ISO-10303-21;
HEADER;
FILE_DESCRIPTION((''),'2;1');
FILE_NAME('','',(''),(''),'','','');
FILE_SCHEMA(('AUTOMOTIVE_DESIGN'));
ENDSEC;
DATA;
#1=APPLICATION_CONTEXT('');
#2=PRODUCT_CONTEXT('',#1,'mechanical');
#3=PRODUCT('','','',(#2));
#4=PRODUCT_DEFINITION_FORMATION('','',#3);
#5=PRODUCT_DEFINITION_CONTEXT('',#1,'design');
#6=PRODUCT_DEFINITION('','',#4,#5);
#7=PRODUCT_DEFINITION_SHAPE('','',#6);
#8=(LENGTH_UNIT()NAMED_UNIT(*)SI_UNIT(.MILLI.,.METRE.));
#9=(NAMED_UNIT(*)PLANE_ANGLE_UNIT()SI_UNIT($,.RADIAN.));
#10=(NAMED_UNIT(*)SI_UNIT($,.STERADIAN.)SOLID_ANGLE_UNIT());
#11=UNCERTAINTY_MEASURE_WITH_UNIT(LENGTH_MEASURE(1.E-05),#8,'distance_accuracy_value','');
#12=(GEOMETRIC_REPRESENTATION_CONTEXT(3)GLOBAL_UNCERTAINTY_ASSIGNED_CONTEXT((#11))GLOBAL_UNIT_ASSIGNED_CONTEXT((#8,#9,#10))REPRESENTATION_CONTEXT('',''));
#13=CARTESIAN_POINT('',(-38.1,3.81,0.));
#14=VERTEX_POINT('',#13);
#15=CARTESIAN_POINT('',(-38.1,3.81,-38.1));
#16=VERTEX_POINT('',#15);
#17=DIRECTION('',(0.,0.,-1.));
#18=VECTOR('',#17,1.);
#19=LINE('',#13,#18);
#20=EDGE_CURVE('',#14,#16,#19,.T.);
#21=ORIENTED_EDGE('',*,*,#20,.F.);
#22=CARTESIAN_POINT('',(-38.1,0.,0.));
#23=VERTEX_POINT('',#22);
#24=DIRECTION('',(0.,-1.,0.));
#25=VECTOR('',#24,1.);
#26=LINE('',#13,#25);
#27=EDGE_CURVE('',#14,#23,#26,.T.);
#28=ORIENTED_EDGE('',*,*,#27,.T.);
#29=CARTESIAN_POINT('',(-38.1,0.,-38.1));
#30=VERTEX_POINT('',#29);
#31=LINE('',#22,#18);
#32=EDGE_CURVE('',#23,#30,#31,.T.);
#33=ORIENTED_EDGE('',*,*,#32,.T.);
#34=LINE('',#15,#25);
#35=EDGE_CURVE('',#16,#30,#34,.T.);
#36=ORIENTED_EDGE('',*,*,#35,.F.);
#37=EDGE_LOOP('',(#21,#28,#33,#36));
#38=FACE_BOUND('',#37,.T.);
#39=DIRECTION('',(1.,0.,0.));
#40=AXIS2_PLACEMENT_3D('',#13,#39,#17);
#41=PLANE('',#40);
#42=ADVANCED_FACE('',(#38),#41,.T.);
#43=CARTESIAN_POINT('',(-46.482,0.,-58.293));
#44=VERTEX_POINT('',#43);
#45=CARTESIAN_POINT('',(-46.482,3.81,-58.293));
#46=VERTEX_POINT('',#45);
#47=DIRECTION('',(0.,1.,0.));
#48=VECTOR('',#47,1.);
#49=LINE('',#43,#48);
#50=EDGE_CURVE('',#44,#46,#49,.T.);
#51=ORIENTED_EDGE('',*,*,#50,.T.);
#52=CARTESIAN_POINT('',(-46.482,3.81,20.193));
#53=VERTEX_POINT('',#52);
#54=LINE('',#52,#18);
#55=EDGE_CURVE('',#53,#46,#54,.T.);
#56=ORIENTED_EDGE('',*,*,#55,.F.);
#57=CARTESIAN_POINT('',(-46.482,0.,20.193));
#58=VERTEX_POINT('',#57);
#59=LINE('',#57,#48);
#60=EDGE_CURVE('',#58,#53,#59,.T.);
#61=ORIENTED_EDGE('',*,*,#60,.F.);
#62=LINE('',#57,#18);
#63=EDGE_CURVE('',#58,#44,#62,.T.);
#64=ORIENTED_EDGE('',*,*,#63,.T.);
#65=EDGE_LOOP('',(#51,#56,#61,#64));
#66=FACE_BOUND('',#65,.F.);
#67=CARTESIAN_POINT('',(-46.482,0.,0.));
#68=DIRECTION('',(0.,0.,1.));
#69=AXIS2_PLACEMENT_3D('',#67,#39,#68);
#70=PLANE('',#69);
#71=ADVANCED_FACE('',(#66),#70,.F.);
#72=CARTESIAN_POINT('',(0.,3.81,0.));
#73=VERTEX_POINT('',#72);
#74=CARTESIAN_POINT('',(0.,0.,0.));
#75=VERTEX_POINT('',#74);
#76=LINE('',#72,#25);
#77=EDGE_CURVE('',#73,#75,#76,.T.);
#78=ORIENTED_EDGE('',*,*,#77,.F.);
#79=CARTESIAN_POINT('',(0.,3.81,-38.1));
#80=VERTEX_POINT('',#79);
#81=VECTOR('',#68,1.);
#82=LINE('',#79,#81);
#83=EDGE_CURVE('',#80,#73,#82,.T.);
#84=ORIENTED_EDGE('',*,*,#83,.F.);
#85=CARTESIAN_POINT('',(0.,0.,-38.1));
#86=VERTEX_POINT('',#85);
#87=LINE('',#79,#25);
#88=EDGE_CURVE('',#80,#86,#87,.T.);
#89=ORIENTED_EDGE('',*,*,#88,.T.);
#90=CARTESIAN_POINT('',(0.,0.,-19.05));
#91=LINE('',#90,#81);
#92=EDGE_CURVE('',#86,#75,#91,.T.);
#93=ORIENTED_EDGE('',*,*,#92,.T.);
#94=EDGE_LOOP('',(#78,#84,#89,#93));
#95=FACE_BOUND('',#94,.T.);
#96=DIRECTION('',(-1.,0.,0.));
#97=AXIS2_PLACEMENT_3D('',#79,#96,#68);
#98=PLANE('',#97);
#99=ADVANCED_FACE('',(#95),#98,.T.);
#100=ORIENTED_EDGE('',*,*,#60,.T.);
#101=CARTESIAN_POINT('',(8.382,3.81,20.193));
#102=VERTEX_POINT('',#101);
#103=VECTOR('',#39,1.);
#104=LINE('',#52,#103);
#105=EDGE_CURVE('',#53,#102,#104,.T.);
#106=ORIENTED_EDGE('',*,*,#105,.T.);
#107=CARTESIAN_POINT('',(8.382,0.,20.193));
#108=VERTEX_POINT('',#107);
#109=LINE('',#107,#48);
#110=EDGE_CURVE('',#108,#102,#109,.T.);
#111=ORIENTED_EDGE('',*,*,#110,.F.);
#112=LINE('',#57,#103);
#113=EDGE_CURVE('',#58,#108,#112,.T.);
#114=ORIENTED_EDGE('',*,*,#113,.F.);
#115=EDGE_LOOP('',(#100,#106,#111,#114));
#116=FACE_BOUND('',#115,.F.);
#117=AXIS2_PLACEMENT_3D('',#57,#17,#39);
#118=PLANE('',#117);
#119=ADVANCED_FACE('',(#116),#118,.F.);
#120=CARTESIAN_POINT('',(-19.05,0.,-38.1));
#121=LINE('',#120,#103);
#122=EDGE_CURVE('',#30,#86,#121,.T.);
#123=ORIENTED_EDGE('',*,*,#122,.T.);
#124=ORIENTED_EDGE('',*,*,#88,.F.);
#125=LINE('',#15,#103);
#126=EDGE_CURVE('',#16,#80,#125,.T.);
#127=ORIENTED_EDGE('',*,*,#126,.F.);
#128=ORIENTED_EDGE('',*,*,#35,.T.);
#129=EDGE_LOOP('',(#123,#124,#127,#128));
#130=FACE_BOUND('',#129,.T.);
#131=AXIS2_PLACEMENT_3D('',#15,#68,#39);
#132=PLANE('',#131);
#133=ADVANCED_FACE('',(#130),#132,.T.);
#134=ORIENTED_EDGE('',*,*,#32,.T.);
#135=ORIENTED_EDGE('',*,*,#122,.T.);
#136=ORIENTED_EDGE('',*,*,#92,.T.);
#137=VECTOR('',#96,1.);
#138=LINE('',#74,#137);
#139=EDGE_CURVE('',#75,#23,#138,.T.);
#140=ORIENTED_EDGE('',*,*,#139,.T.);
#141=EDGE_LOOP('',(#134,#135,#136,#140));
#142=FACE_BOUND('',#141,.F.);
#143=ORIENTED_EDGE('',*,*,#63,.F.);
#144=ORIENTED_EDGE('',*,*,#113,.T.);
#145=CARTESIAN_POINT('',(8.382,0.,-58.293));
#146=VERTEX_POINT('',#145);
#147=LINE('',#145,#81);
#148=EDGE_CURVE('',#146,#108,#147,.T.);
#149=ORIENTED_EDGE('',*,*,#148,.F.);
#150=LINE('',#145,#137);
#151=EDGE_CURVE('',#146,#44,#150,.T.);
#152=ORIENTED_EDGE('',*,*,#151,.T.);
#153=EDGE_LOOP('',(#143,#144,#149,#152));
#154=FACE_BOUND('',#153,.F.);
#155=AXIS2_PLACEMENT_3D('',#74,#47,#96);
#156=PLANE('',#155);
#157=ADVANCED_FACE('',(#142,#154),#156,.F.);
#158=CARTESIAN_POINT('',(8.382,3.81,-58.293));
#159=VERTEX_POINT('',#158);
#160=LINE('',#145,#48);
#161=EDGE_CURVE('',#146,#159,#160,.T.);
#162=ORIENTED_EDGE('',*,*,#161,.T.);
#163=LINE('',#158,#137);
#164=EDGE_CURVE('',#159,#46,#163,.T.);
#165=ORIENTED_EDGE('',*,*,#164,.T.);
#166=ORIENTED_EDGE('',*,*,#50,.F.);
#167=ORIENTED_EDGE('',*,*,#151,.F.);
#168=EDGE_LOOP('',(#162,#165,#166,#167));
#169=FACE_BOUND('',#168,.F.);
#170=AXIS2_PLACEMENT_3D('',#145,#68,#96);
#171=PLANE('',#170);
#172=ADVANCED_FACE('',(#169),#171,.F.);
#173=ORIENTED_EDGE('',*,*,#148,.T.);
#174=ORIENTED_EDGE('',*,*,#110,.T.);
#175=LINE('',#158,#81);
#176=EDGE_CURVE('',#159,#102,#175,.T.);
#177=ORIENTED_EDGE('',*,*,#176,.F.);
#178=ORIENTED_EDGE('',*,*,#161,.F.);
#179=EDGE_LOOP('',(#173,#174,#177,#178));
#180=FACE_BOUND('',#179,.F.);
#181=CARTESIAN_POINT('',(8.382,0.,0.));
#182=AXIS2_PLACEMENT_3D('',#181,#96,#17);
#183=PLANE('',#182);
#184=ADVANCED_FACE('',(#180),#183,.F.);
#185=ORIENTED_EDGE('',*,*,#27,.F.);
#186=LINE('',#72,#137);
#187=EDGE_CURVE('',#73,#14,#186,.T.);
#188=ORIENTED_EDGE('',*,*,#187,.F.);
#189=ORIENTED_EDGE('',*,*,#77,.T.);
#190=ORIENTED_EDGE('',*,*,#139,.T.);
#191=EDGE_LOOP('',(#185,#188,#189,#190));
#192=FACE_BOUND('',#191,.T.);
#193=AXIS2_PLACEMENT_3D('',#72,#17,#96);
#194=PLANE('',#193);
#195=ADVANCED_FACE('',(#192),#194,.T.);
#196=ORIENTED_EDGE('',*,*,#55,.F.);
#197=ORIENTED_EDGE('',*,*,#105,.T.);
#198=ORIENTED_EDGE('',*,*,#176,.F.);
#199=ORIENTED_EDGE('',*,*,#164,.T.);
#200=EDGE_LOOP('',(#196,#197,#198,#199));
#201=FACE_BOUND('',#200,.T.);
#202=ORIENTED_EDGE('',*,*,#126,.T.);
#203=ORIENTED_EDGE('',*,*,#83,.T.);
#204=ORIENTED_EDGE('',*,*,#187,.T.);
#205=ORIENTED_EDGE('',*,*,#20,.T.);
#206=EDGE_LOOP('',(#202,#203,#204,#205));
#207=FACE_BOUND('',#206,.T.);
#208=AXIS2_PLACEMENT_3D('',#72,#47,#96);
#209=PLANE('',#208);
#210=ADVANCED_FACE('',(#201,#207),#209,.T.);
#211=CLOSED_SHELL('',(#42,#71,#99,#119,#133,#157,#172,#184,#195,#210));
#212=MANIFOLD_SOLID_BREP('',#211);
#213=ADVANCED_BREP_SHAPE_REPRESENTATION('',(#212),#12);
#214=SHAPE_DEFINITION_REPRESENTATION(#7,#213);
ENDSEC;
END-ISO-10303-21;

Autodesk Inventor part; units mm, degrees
ref_plane "YZ Plane" through (0, 0, 0) normal (1, 0, 0) x (0, 1, 0)
ref_plane "XZ Plane" through (0, 0, 0) normal (0, 1, 0) x (-1, 0, 0)
ref_plane "XY Plane" through (0, 0, 0) normal (0, 0, 1) x (1, 0, 0)
sketch "Sketch1" plane through (0, 0, 0) normal (0, 1, 0) x (-1, 0, 0)
  line L0 (38.1, 0) -> (38.1, -38.1)
  line L1 (0, -38.1) -> (0, 0)
  line L2 (0, 0) -> (0, 11.811)
  line L3 (0, 11.811) -> (38.1, 11.811)
  line L4 (38.1, 11.811) -> (38.1, 0)
  line L5 (0, -38.1) -> (0, -49.911)
  line L6 (0, -49.911) -> (38.1, -49.911)
  line L7 (38.1, -49.911) -> (38.1, -38.1)
  line L8 (-8.382, -38.1) -> (-8.382, -58.293)
  line L9 (-8.382, -58.293) -> (46.482, -58.293)
  line L10 (46.482, -58.293) -> (46.482, -38.1)
  line L11 (46.482, -38.1) -> (46.482, 0)
  line L12 (46.482, 0) -> (46.482, 20.193)
  line L13 (46.482, 20.193) -> (-8.382, 20.193)
  line L14 (-8.382, 20.193) -> (-8.382, 0)
  line L15 (-8.382, 0) -> (-8.382, -38.1)
  dimension "d0" = 38.1
  dimension "d1" = 38.1
  dimension "d2" = 11.811
  dimension "d3" = 11.811
  dimension "d4" = 8.382
extrude "Extrusion1" add sketch "Sketch1" along normal blind 3.81 contours L0 L7 L6 L5 L1 L2 L3 L4 | L15 L14 L13 L12 L11 L10 L9 L8
sketch "Sketch2" plane through (0, 3.81, 0) normal (0, 1, 0) x (1, 0, 0)
  line L0 (0, 0) -> (-38.1, 0)
  line L1 (-38.1, 0) -> (-38.1, 38.1)
  line L2 (-38.1, 38.1) -> (0, 38.1)
  line L3 (0, 38.1) -> (0, 0)
  dimension "d7" = 38.1
  dimension "d8" = 38.1
extrude "Extrusion2" cut sketch "Sketch2" against normal blind 13.6525
properties part number "peltier felt" material "Acetal Resin, Black"
